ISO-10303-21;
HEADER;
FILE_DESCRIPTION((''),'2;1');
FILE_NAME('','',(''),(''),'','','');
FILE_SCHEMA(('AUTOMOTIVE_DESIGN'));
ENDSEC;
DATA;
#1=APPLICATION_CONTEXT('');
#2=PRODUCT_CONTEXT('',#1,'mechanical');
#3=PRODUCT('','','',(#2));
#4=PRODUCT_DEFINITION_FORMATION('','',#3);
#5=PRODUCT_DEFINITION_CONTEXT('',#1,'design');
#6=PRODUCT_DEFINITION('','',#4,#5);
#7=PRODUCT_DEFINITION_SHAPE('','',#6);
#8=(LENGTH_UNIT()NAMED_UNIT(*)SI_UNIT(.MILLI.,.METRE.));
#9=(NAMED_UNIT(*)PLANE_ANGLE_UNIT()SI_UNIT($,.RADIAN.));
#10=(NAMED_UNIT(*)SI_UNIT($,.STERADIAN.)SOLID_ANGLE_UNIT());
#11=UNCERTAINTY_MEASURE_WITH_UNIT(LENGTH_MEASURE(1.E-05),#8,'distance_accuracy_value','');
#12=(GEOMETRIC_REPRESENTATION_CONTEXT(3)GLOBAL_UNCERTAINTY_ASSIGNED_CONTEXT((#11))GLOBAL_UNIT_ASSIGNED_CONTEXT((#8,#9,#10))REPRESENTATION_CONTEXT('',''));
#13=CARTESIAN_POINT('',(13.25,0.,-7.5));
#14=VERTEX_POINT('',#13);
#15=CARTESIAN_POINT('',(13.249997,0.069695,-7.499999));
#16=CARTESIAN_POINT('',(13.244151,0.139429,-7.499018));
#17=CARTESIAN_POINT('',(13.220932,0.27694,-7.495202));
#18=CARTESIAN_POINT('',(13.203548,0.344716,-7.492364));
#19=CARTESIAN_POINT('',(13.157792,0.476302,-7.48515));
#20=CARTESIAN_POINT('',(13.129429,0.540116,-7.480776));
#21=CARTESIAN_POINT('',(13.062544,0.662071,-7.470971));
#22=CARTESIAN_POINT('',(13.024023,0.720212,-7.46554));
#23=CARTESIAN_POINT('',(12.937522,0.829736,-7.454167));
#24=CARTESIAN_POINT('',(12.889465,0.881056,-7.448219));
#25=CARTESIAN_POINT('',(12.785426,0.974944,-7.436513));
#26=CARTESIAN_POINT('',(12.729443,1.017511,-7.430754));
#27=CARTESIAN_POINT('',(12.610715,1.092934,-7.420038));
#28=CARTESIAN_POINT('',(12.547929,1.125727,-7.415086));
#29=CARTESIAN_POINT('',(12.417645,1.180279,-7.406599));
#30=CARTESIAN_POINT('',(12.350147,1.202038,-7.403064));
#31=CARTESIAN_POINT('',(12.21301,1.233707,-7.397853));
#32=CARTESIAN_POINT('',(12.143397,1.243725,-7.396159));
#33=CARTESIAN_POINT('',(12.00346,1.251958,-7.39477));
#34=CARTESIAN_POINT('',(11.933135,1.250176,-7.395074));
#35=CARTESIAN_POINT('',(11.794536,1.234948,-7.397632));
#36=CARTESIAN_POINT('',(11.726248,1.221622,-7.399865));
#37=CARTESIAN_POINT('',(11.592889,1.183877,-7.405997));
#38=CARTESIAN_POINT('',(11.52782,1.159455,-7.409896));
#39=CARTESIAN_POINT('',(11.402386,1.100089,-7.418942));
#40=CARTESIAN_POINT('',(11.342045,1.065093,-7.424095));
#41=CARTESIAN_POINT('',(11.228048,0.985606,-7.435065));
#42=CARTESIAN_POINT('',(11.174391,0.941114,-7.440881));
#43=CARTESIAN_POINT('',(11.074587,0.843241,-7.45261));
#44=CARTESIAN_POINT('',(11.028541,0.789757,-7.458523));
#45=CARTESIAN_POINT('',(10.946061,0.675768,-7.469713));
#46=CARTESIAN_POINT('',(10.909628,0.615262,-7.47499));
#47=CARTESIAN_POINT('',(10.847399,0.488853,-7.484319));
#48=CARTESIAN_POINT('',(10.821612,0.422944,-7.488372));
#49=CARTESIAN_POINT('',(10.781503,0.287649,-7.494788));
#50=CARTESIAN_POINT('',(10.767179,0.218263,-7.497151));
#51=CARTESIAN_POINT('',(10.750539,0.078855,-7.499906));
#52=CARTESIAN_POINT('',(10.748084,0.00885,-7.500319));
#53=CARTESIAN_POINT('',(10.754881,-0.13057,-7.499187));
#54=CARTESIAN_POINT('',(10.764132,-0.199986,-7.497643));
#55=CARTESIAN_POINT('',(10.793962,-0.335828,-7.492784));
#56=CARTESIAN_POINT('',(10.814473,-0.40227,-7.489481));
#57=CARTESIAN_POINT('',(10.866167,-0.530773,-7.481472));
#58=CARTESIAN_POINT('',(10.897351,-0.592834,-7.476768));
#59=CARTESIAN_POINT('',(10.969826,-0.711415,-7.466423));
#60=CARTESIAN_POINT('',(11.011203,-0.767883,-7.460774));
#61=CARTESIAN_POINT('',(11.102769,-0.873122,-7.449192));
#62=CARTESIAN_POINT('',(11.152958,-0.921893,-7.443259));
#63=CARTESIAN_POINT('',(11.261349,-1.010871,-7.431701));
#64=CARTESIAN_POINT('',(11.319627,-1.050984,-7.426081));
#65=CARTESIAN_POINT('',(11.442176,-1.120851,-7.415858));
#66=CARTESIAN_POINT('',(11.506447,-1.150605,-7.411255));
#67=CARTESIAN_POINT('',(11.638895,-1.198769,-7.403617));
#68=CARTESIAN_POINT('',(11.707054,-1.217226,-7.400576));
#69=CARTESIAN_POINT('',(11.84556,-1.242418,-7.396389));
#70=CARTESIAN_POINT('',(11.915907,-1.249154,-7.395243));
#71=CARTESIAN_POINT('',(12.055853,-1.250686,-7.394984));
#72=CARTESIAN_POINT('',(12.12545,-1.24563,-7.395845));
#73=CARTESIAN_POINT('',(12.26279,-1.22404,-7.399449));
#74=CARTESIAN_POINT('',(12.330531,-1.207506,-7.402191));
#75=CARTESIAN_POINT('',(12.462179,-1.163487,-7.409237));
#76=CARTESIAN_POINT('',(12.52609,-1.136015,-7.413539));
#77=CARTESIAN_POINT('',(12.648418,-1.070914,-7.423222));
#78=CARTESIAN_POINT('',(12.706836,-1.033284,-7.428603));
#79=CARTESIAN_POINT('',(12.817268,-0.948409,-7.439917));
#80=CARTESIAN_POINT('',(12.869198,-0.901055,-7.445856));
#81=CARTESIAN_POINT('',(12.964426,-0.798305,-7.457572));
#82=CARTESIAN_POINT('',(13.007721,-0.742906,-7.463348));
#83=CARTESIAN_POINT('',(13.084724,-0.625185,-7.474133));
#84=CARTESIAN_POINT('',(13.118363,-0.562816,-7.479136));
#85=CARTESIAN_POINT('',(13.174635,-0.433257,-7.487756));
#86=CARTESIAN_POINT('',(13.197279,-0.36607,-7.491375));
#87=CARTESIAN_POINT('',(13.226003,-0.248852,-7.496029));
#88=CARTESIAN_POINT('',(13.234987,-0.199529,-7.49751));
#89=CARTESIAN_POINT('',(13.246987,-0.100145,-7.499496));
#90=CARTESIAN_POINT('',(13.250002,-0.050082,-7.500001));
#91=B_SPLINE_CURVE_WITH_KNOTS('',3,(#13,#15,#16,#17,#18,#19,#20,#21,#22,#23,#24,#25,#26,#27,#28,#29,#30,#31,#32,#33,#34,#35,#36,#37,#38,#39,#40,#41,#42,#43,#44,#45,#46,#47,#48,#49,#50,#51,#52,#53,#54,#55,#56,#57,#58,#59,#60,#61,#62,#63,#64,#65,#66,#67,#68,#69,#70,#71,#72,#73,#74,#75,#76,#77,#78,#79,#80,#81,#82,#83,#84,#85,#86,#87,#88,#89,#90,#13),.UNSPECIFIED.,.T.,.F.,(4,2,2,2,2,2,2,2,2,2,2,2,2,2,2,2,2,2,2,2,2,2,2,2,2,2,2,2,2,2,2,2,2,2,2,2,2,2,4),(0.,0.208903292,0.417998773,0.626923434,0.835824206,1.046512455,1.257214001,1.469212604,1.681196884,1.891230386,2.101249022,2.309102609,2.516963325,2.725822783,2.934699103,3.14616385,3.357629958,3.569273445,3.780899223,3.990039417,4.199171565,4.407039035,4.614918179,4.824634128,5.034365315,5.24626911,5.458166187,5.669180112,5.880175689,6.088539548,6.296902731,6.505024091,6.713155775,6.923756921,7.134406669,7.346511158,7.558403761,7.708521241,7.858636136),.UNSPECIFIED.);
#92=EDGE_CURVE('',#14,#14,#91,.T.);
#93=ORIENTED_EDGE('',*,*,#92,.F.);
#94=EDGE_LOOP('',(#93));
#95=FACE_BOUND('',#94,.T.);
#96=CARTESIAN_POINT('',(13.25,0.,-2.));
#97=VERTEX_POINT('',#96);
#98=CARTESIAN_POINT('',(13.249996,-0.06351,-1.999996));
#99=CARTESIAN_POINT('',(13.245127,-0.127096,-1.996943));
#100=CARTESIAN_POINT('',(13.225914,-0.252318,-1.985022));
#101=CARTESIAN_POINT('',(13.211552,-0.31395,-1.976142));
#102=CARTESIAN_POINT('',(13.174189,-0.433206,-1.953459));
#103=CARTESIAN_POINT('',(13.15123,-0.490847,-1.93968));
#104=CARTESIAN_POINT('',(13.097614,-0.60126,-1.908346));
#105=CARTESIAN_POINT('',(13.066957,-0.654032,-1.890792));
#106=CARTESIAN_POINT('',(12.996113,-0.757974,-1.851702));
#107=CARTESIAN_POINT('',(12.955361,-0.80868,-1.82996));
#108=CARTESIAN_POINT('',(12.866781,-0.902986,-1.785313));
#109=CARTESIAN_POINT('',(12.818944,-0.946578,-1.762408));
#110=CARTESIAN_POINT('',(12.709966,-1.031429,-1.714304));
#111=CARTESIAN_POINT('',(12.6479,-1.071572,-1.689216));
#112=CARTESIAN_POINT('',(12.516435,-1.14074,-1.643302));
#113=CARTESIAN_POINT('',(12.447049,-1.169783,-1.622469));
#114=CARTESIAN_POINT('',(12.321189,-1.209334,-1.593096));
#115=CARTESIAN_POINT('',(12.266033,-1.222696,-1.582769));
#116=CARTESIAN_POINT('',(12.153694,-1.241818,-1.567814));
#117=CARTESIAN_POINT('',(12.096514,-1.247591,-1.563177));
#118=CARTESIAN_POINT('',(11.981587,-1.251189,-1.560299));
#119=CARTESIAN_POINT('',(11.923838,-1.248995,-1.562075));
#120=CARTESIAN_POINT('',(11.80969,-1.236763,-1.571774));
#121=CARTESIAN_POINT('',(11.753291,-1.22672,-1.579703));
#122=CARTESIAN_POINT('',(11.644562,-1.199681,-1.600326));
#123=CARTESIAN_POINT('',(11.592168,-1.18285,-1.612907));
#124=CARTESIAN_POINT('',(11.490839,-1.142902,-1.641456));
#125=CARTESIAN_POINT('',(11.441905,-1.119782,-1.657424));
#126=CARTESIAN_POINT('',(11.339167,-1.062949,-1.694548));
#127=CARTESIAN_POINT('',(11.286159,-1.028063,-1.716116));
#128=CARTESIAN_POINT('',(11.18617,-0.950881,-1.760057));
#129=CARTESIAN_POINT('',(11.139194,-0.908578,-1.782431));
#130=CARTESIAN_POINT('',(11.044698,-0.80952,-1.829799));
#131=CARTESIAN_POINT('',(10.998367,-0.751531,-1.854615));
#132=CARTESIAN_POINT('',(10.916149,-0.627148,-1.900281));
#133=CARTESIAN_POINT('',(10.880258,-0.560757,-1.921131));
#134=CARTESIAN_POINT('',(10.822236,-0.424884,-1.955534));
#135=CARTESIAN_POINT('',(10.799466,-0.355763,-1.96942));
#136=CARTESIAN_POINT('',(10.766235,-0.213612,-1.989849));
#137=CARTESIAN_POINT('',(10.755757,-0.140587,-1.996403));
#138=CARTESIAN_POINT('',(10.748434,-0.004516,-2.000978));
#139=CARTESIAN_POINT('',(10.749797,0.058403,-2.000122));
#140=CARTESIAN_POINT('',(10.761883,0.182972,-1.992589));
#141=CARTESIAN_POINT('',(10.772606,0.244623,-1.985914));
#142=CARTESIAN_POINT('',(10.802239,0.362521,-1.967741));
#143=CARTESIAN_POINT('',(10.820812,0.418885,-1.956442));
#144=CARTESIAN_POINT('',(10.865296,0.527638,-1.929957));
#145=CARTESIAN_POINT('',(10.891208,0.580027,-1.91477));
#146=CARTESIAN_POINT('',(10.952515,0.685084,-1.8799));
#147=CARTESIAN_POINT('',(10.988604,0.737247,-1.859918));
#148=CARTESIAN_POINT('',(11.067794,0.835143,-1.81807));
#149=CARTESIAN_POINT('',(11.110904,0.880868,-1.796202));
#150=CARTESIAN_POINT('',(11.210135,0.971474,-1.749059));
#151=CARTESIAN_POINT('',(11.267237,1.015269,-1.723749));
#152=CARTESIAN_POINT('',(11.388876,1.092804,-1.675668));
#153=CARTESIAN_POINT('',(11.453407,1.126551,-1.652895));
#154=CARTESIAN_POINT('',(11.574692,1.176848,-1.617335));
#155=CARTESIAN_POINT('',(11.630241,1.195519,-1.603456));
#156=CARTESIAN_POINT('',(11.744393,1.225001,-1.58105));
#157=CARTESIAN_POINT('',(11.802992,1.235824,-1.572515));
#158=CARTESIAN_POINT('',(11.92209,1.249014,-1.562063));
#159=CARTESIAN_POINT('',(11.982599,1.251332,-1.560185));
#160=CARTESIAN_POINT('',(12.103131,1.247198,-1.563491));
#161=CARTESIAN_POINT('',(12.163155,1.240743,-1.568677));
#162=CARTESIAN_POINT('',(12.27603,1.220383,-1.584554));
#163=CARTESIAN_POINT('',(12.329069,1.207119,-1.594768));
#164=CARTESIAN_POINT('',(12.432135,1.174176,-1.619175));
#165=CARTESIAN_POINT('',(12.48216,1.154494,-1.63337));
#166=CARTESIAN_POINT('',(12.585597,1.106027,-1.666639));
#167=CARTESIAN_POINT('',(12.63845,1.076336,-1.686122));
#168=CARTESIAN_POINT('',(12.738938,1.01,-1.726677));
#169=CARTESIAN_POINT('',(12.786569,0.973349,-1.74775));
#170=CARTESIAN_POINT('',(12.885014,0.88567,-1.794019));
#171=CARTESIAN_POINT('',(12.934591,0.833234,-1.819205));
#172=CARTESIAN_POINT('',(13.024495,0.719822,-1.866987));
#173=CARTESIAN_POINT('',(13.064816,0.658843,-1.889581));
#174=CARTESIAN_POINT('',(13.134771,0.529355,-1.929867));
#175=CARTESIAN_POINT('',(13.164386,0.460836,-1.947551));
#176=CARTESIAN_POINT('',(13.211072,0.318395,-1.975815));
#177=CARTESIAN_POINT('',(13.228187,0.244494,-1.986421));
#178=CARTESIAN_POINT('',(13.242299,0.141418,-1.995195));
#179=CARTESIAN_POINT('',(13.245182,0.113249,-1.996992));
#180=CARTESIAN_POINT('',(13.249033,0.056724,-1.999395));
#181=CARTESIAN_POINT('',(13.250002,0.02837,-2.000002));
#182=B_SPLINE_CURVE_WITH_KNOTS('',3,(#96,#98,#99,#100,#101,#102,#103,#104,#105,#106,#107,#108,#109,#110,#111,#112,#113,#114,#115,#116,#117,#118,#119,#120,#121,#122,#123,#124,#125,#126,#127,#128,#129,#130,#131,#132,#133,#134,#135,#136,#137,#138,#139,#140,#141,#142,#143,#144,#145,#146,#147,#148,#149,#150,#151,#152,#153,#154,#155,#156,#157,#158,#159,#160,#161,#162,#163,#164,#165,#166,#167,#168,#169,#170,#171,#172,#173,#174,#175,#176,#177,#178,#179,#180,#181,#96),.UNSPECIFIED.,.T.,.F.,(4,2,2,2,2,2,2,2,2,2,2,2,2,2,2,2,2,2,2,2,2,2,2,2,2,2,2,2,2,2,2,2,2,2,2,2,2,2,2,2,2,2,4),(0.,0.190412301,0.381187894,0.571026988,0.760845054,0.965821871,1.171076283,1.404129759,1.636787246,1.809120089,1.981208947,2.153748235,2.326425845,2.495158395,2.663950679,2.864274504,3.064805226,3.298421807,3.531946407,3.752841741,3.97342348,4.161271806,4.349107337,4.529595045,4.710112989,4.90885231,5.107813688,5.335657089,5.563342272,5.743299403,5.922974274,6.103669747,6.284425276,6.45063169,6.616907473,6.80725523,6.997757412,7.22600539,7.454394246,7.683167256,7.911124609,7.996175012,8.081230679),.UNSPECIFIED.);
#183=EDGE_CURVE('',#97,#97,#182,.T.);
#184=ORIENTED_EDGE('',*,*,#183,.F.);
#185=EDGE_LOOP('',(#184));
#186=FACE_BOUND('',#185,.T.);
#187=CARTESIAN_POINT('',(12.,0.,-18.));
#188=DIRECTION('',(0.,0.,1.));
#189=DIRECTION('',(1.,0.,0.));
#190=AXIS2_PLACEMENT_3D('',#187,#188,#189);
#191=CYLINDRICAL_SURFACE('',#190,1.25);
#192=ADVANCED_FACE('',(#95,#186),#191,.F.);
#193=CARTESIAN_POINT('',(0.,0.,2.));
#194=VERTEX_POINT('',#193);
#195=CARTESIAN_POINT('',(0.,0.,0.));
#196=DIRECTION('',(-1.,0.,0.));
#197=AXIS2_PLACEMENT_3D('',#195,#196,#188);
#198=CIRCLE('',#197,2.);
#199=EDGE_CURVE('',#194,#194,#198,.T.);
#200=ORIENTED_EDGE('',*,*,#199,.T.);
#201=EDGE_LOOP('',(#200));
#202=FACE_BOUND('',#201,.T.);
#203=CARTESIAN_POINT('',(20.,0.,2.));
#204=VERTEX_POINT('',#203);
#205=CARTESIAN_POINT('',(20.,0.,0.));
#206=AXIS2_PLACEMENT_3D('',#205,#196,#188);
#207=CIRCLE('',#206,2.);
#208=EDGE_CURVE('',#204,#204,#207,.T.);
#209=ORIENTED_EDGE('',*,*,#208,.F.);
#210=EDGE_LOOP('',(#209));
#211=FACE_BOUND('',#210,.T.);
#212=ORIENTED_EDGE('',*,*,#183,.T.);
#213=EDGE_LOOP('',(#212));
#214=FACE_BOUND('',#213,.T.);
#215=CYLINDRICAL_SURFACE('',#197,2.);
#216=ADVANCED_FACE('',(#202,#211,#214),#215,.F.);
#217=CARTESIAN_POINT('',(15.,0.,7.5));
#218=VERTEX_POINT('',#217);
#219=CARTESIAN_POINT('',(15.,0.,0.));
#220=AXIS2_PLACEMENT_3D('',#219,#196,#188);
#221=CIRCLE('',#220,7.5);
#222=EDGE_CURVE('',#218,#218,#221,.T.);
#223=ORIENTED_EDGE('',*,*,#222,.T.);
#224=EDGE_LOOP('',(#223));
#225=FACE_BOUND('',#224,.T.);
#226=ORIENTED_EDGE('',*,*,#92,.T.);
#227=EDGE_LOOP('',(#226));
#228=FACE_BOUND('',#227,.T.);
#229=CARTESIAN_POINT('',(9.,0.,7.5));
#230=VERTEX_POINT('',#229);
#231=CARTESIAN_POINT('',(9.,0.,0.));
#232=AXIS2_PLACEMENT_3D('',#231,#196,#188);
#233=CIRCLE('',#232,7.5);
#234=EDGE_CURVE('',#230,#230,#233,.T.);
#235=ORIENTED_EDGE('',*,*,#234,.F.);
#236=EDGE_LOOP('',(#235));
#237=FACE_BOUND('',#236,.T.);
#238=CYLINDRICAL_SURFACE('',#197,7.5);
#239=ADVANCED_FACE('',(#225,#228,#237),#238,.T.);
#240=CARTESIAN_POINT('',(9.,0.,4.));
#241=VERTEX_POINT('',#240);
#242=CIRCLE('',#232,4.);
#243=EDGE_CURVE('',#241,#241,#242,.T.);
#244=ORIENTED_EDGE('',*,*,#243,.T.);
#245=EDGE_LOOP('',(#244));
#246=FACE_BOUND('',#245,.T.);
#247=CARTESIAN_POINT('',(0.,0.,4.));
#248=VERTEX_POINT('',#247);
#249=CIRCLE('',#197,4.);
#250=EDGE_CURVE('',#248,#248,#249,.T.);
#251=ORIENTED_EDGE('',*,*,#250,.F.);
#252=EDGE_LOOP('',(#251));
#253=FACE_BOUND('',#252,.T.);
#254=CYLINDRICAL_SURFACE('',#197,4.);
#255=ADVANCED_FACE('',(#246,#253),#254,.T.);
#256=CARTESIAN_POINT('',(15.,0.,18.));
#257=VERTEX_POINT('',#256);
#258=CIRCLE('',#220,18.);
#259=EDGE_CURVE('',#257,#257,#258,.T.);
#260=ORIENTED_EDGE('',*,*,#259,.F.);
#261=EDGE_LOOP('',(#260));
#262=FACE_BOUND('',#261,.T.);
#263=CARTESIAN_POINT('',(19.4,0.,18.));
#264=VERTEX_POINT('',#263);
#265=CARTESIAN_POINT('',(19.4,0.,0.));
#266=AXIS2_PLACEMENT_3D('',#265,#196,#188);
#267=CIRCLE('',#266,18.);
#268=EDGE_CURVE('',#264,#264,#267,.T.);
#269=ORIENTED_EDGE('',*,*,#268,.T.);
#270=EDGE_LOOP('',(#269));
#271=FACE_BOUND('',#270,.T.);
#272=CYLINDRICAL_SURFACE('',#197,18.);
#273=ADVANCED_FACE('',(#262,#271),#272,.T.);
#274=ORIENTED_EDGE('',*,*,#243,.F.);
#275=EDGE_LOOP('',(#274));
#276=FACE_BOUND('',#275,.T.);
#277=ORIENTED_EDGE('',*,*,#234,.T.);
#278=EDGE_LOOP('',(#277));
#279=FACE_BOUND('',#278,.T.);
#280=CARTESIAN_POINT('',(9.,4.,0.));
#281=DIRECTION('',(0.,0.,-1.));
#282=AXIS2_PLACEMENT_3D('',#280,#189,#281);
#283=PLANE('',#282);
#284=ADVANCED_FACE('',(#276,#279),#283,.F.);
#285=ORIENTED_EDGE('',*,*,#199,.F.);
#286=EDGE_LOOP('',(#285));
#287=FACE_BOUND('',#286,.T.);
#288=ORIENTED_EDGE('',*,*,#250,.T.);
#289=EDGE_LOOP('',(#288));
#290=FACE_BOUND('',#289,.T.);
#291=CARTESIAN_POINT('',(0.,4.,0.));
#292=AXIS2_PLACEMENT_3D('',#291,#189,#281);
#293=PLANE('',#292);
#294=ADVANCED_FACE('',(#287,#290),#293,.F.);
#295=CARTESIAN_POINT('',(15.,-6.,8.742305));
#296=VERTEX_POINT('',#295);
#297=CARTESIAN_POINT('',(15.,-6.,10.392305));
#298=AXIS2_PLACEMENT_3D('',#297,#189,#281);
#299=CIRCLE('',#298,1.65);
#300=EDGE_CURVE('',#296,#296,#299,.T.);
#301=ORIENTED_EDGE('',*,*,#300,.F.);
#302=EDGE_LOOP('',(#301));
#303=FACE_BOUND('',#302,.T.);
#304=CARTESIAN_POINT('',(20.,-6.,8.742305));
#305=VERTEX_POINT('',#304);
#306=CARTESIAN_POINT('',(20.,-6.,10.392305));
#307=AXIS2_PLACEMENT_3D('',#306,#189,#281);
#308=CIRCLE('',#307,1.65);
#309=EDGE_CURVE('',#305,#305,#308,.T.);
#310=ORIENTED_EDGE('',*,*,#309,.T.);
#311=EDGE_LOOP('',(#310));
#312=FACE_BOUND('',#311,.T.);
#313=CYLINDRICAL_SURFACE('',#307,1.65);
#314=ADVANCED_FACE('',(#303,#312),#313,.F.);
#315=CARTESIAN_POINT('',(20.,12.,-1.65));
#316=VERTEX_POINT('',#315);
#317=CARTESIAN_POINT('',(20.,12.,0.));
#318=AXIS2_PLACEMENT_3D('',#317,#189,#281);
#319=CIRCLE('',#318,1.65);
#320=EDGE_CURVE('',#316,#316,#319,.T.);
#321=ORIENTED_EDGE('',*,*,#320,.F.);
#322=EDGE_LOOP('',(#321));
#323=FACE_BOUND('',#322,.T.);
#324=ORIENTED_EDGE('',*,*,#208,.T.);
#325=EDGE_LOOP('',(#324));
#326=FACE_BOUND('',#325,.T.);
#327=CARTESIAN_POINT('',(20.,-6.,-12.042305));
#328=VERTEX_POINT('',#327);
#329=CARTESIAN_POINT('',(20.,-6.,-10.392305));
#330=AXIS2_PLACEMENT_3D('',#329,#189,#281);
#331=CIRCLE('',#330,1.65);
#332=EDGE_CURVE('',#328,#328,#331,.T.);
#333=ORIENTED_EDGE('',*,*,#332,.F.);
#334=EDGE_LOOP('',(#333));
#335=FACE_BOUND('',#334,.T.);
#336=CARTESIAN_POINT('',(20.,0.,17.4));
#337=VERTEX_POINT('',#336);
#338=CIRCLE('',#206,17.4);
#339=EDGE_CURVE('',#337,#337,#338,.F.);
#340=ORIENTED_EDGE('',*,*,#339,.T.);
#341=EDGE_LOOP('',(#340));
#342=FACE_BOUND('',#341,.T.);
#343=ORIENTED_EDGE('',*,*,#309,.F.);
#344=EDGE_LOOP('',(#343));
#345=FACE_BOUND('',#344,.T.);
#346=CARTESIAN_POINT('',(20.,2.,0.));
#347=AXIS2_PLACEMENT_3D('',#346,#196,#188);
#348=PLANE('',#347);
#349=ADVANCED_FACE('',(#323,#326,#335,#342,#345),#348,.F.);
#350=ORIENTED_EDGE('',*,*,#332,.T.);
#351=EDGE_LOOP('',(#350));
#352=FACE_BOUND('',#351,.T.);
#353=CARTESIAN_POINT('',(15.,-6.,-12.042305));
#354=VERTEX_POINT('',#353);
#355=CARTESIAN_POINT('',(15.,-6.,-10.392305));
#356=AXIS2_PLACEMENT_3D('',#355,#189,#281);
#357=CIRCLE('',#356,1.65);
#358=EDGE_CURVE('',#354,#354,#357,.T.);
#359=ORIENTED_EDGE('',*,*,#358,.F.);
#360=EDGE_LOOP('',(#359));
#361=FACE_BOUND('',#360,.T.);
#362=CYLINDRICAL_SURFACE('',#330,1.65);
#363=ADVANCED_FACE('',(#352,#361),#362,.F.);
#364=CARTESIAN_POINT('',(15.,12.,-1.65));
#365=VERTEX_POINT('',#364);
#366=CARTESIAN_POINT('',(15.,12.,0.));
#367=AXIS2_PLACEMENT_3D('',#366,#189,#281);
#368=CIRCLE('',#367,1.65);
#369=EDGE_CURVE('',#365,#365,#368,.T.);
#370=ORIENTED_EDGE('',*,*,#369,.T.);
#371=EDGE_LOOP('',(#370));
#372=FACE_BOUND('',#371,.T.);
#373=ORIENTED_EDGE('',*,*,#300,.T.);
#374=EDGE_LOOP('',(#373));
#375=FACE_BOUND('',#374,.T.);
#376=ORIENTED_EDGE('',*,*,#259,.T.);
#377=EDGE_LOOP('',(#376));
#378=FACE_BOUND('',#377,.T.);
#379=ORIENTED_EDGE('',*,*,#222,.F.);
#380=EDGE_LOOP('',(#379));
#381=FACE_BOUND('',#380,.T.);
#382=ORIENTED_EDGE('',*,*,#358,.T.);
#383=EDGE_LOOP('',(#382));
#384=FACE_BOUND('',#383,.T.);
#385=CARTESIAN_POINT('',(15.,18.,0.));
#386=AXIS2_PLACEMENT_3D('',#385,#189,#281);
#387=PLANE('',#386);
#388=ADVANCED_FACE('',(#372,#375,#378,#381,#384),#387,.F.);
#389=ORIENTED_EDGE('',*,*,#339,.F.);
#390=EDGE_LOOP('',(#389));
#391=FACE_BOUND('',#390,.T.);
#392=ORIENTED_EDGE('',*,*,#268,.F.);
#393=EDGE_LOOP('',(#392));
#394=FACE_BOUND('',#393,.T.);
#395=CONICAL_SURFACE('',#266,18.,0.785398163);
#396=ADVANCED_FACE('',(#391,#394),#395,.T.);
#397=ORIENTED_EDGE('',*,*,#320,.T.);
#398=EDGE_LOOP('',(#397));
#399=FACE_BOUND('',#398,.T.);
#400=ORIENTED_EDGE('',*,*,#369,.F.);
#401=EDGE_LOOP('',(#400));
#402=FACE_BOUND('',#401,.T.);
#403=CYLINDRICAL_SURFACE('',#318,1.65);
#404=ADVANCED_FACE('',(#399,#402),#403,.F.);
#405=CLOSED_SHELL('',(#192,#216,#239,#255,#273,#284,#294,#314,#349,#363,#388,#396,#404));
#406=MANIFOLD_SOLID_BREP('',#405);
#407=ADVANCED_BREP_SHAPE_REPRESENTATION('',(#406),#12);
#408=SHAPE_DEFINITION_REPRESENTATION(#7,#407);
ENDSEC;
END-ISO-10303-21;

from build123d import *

# Parameters (mm, degrees)
ESQUISSE2_R                  = 1.25
ENL_V_MAT_EXTRU_1_DEPTH      = 33.372828112
TROU_TARAUD_M41_D            = 3.3
R_P_TITION_CIRCULAIRE1_COUNT = 3
CHANFREIN1_SIZE              = 0.6


with BuildPart() as part:
    # Esquisse1 → Révolution1 (revolve)
    with BuildSketch(Plane.XY, mode=Mode.PRIVATE) as r_volution1_sk:
        Polygon((0, 2), (20, 2), (20, 18), (15, 18), (15, 7.5), (9, 7.5), (9, 4), (0, 4), align=None)
    revolve(r_volution1_sk.sketch.rotate(Axis((0, 0, 0), (1, 0, 0)), 90), axis=Axis((0, 0, 0), (1, 0, 0)))

    # Esquisse2 → Enlèv. mat.-Extru.1 (cut, through all)
    with BuildSketch(Plane.XY):
        with Locations((12, 0)):
            Circle(ESQUISSE2_R)
    extrude(amount=-ENL_V_MAT_EXTRU_1_DEPTH, mode=Mode.SUBTRACT)

    # Trou taraudé M41 (through all)
    with Locations(Plane(origin=(20, 0, 0), x_dir=(0, 0, -1), z_dir=(1, 0, 0))):
        with Locations((0, 12)):
            trou_taraud_m41 = Hole(TROU_TARAUD_M41_D / 2)

    # Répétition circulaire1: Trou taraudé M41 ×3 about axis
    r_p_tition_circulaire1_axis = Axis((0, 0, 0), (1, 0, 0))
    for i in range(1, R_P_TITION_CIRCULAIRE1_COUNT):
        add(trou_taraud_m41.rotate(r_p_tition_circulaire1_axis, i * 360 / R_P_TITION_CIRCULAIRE1_COUNT), mode=Mode.SUBTRACT)

    # Chanfrein1
    chanfrein1_edges = [part.edges().sort_by_distance(p)[0] for p in [
        (20, 0, -18),
    ]]
    chamfer(chanfrein1_edges, length=CHANFREIN1_SIZE)


solid = part.part
